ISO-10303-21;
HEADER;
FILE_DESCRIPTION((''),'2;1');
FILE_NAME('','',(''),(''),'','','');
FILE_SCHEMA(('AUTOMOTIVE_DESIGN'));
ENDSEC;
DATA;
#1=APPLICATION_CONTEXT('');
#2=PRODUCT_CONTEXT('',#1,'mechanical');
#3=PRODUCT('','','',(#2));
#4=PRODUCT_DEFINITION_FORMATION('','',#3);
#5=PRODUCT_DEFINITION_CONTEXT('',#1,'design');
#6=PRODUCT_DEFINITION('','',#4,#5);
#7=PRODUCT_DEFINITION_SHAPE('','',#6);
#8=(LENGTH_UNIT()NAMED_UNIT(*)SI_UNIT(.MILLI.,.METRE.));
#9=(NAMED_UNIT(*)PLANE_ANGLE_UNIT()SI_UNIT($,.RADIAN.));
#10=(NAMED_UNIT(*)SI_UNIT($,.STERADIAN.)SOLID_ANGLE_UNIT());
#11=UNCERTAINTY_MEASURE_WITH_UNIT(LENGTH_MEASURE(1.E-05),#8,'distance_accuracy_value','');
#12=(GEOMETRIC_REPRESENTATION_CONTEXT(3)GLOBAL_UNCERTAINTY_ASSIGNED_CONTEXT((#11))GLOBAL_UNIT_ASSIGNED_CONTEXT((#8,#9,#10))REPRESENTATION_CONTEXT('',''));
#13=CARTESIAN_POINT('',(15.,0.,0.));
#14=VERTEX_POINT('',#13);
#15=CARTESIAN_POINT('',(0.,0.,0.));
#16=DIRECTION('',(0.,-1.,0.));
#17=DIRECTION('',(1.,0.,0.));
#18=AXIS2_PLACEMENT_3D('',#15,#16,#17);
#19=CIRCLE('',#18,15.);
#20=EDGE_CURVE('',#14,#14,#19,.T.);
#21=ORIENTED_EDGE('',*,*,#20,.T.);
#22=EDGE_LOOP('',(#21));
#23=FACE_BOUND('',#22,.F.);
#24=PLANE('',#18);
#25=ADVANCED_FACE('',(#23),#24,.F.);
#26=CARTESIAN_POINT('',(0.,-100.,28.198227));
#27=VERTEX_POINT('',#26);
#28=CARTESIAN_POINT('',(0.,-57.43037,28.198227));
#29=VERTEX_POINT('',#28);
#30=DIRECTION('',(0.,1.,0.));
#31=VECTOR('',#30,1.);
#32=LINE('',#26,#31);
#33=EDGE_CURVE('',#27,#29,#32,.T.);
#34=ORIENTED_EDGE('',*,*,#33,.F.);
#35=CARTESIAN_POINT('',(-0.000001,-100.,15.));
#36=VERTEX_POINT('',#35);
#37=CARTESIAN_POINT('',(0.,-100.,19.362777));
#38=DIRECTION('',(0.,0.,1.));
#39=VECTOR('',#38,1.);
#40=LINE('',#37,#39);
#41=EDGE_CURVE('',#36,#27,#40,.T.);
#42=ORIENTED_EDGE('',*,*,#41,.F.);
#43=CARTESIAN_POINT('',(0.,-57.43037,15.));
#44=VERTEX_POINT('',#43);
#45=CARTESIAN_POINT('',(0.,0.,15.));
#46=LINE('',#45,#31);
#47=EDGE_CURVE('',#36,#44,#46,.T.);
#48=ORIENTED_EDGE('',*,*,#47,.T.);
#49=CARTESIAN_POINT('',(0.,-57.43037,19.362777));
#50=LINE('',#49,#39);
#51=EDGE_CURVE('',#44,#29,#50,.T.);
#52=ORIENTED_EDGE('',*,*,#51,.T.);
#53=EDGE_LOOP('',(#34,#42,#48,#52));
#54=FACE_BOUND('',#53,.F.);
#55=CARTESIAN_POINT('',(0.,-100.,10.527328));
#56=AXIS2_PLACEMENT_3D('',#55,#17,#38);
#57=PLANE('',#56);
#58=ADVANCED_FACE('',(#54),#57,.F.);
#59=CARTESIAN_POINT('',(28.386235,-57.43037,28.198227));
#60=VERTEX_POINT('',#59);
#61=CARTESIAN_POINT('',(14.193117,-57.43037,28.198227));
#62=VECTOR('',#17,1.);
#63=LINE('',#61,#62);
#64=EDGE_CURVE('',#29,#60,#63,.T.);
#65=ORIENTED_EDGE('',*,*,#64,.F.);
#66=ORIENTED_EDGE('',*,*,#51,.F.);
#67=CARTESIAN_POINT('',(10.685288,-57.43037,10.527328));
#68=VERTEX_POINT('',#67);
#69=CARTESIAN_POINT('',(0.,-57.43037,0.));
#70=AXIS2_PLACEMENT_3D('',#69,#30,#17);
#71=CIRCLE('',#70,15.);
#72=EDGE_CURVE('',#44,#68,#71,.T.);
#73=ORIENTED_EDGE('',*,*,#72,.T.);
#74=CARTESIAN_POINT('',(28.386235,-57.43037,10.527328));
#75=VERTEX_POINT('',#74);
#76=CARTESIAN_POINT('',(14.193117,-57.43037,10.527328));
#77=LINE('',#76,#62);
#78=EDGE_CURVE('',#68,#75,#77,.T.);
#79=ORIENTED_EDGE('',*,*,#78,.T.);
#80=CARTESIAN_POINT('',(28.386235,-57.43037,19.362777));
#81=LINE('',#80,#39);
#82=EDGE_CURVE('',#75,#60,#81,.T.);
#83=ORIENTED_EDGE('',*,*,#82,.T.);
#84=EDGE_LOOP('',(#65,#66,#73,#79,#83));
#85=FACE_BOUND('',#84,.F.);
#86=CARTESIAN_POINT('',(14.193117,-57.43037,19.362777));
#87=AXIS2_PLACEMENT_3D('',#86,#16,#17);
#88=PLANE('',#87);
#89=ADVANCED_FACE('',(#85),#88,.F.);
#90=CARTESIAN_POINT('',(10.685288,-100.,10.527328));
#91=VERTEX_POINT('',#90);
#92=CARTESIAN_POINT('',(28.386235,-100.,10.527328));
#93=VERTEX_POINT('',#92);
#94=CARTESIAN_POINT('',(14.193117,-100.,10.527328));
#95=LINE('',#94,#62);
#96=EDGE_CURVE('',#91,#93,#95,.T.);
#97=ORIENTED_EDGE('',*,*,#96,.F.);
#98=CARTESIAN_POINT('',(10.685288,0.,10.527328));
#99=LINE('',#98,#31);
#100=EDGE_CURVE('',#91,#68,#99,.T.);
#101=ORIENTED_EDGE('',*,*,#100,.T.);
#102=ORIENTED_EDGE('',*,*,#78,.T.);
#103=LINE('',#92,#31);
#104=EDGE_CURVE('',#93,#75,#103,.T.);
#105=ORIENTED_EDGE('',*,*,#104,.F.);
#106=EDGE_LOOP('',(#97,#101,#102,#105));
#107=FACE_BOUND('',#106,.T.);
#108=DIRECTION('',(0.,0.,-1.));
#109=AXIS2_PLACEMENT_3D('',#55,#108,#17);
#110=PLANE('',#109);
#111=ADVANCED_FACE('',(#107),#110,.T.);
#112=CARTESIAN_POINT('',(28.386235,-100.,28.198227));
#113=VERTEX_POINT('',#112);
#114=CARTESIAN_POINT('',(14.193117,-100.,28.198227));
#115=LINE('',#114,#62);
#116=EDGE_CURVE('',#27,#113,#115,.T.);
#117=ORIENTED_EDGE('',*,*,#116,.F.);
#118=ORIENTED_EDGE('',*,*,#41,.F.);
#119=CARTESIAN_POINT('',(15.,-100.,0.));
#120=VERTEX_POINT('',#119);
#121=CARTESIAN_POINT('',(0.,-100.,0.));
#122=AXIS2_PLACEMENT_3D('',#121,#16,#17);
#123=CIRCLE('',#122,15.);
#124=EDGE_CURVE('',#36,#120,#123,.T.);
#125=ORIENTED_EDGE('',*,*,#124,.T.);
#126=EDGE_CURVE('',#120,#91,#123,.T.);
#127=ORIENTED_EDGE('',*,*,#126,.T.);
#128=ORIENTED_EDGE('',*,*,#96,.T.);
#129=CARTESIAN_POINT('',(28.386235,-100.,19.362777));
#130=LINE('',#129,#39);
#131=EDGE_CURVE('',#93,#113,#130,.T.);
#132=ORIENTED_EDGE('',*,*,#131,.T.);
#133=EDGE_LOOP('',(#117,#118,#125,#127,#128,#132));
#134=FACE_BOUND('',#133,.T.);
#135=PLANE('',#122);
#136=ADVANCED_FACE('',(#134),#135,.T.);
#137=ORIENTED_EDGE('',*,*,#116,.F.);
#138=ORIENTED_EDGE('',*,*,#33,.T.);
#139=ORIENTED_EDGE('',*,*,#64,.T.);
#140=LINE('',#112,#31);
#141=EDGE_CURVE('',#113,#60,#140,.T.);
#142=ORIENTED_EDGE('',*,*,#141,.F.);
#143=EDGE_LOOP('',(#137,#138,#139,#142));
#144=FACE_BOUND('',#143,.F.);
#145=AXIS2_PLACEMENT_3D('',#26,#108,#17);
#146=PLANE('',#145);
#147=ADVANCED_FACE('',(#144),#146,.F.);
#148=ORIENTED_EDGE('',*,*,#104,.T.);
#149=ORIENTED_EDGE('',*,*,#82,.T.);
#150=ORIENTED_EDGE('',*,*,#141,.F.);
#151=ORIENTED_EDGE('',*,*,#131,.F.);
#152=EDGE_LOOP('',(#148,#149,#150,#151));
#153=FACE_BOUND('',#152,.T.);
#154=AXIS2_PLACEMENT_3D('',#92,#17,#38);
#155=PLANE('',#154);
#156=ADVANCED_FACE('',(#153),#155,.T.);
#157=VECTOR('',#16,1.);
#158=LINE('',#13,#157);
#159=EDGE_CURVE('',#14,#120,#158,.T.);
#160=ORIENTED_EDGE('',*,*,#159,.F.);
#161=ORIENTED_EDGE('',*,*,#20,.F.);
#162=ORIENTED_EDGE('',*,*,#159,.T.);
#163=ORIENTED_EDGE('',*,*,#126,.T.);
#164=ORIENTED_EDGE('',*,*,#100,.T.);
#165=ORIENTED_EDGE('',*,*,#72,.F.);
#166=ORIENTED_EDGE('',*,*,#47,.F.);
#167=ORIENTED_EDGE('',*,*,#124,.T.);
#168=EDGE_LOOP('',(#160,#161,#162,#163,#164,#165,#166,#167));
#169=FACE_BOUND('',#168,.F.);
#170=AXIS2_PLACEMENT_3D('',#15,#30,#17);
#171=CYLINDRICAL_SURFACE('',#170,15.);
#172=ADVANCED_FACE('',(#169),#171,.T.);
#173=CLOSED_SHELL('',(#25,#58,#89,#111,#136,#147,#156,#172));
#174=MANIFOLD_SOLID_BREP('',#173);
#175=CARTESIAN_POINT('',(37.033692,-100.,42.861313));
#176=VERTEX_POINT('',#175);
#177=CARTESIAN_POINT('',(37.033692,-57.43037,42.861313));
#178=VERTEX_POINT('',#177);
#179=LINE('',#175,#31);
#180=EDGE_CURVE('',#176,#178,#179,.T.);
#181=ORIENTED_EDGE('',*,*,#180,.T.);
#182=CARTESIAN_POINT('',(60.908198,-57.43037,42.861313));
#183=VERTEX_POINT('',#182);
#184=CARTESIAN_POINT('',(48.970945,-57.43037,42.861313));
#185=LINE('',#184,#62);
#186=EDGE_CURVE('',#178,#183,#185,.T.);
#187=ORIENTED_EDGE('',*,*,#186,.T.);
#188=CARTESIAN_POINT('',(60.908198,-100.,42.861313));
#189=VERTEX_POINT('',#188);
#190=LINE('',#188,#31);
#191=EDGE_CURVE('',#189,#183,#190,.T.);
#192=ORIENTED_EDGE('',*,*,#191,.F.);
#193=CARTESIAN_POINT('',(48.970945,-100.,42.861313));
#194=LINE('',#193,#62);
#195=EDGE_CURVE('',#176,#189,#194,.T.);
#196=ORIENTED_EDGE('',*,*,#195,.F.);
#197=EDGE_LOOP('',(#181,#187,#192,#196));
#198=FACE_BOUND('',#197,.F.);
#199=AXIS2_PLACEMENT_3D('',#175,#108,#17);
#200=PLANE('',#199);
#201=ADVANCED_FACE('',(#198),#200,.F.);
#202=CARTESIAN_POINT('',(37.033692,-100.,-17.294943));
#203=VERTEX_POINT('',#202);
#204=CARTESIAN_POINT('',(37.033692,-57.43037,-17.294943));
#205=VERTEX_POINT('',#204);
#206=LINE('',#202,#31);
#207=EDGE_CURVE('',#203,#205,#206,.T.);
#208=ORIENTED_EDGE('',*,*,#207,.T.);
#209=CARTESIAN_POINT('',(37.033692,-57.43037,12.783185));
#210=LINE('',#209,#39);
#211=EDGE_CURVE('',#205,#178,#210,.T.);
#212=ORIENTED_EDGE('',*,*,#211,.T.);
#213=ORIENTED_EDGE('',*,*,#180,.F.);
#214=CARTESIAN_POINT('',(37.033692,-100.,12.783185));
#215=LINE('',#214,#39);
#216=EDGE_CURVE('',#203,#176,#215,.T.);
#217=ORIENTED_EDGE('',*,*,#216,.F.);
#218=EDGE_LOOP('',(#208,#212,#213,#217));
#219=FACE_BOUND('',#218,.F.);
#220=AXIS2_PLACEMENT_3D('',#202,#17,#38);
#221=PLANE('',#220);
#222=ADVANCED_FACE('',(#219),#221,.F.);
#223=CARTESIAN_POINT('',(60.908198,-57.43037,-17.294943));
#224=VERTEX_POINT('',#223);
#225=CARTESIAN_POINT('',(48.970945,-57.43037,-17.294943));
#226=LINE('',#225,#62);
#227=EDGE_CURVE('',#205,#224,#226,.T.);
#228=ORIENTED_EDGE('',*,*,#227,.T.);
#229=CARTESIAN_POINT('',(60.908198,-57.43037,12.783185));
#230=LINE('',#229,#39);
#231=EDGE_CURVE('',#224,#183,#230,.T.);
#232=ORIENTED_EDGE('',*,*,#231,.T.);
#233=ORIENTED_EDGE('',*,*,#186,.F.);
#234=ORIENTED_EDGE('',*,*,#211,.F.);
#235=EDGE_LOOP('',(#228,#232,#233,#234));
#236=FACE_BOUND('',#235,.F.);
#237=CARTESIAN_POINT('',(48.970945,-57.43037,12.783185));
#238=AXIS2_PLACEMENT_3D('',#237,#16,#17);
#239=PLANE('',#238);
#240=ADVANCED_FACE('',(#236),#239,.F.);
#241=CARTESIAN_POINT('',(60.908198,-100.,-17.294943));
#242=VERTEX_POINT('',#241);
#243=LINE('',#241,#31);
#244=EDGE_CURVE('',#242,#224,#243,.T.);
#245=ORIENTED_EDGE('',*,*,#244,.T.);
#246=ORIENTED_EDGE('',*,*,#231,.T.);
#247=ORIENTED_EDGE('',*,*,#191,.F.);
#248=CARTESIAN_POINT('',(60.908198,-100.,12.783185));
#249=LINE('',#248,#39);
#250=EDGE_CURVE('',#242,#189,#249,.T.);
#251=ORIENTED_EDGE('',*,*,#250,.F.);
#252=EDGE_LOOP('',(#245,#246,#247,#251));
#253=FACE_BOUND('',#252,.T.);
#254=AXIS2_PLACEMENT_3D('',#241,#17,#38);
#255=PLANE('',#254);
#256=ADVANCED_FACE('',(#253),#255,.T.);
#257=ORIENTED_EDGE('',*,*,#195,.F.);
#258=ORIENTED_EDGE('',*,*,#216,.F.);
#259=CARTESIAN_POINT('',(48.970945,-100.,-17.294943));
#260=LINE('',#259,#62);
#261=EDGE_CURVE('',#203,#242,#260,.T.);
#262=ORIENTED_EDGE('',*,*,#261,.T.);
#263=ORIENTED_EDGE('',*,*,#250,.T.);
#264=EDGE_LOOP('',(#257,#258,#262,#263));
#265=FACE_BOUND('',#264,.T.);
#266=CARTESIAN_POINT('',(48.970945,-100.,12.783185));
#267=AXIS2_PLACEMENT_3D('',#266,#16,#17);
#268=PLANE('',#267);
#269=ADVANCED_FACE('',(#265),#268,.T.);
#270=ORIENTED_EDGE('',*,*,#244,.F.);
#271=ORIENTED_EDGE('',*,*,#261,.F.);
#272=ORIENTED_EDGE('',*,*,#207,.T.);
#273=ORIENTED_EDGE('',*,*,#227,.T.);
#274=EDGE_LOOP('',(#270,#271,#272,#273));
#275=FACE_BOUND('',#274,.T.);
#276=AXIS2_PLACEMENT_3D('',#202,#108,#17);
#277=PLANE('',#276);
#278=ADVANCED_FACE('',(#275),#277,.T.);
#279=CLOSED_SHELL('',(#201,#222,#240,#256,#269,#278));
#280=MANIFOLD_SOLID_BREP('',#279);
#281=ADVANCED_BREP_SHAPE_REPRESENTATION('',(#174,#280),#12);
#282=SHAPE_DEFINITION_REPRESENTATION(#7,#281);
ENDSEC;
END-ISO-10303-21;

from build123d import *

# Parameters (mm, degrees)
F0_R     = 15
F1_DEPTH = 100
F3_W     = 28.386235
F3_H     = 17.670899
F3_W_2   = 23.874506
F3_H_2   = 60.156256
F4_DEPTH = 42.56963


with BuildPart() as f1:
    # F0 (on Front) → F1 (new body)
    with BuildSketch(Plane.XZ):
        Circle(F0_R)
    extrude(amount=F1_DEPTH)

    # F3 (on face) → F4 (join)
    with BuildSketch(Plane.XZ.offset(100)):
        with Locations((14.193117, 19.362777)):
            Rectangle(F3_W, F3_H)
        with Locations((48.970945, 12.783185)):
            Rectangle(F3_W_2, F3_H_2)
    extrude(amount=-F4_DEPTH)


solid = f1.part
